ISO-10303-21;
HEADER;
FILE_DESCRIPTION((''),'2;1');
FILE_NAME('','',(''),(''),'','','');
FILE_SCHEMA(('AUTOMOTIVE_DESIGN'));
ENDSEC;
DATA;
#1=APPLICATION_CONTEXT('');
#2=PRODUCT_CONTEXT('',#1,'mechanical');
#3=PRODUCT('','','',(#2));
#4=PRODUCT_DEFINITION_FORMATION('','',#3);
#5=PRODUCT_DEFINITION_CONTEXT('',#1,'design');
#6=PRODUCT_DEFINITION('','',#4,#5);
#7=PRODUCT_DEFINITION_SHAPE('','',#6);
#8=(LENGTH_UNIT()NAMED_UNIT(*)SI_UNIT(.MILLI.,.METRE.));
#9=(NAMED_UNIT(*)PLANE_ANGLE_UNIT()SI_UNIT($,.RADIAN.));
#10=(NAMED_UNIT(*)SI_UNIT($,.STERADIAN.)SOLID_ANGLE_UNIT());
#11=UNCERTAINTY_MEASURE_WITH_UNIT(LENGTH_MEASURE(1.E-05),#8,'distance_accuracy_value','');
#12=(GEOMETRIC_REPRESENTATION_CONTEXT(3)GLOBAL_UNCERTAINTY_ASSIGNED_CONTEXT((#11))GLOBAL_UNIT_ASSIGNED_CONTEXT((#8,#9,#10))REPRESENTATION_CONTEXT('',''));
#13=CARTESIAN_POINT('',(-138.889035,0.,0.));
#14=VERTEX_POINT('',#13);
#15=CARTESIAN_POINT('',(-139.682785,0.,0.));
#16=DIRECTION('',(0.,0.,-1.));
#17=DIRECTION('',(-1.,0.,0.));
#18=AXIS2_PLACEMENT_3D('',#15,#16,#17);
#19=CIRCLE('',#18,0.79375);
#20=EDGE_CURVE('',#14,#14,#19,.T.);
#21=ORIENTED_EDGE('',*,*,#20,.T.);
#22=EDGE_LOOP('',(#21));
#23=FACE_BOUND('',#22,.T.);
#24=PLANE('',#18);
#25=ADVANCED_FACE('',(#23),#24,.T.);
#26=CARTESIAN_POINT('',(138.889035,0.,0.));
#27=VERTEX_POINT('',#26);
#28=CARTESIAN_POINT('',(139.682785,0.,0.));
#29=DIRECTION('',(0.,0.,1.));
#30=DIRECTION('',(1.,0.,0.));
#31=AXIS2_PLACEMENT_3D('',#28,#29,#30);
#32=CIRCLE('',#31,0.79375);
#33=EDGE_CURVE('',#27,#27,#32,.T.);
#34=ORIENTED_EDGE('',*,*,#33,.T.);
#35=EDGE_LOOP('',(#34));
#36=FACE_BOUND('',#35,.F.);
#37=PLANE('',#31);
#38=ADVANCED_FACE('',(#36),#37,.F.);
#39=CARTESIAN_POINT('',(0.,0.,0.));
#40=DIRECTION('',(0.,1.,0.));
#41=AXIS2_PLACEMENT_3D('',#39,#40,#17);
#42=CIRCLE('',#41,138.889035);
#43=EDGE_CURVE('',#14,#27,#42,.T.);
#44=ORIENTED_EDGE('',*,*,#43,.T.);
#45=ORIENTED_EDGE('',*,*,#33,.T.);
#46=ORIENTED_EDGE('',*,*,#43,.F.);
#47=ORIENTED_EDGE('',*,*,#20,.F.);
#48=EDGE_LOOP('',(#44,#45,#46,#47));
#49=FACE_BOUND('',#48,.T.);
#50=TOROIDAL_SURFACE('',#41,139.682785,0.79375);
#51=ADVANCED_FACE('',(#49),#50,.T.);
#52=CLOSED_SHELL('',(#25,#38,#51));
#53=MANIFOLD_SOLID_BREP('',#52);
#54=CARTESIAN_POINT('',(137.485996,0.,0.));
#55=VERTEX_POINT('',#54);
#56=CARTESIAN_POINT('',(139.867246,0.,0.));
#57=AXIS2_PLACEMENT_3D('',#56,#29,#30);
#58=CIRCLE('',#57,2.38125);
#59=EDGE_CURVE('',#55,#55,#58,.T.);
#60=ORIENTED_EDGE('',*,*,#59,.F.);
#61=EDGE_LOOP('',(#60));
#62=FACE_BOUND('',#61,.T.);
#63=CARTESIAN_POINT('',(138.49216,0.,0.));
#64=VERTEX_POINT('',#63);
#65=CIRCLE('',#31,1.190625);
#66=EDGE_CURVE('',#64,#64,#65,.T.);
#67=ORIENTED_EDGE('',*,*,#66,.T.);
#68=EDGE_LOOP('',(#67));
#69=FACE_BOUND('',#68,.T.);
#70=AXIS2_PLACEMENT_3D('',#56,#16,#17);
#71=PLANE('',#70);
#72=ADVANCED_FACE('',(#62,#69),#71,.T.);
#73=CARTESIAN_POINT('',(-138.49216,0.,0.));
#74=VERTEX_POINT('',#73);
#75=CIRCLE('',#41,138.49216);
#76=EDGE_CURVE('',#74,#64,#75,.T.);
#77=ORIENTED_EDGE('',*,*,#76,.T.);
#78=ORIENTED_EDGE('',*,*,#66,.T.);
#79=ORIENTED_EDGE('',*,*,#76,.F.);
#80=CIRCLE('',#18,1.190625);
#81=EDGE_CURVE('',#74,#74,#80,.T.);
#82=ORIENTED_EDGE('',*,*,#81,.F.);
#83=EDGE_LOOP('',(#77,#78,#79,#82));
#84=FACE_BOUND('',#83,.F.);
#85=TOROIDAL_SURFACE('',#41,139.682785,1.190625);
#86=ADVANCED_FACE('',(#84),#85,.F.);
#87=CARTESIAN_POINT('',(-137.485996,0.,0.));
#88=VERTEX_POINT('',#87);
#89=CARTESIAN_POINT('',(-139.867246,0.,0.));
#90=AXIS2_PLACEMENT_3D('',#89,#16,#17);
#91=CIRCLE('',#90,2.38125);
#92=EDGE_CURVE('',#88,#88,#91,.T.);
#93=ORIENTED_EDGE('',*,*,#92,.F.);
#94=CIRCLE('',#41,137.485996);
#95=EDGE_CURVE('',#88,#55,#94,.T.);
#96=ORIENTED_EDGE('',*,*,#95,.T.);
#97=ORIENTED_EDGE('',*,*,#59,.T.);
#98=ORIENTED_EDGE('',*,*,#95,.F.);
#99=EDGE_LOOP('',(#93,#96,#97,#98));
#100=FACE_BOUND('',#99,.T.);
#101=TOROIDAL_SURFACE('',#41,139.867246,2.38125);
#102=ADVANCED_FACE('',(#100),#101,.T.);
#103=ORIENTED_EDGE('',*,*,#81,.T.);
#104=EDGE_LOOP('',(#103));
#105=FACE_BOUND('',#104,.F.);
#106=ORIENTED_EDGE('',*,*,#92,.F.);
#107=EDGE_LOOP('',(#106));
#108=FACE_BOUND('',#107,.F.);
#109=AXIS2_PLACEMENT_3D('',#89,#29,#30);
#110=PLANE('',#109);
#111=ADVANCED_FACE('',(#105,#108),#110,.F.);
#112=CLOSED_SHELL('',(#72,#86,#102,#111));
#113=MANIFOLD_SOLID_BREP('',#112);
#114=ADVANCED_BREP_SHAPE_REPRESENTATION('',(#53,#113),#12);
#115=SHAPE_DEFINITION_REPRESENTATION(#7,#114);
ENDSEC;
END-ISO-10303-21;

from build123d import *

# Parameters (mm, degrees)
F1_R = 2.38125
F3_R = 1.190625
F5_R = 0.79375


with BuildPart() as f2:
    # F2: sweep along a path in F0
    with BuildLine(Plane.XZ) as f2_path:
        ThreePointArc((-139.7, 0), (0, 139.7), (139.7, 0))
    # F1 (on Top) → F2 (sweep)
    with BuildSketch(Plane.XY):
        with Locations((-139.867246, 0)):
            Circle(F1_R)
    sweep(path=f2_path.line)

    # F4: sweep along a path in F0
    with BuildLine(Plane.XZ) as f4_path:
        ThreePointArc((-139.7, 0), (0, 139.7), (139.7, 0))
    # F3 (on Top) → F4 (sweep, cut)
    with BuildSketch(Plane.XY):
        with Locations((-139.682785, 0)):
            Circle(F3_R)
    sweep(path=f4_path.line, mode=Mode.SUBTRACT)


with BuildPart() as f6:
    # F6: sweep along a path in F0
    with BuildLine(Plane.XZ) as f6_path:
        ThreePointArc((-139.7, 0), (0, 139.7), (139.7, 0))
    # F5 (on face) → F6 (sweep)
    with BuildSketch(Plane(origin=(0, 0, 0), x_dir=(1, 0, 0), z_dir=(0, 0, -1))):
        with Locations((-139.682785, 0)):
            Circle(F5_R)
    sweep(path=f6_path.line)


solid = Compound([f2.part, f6.part])
